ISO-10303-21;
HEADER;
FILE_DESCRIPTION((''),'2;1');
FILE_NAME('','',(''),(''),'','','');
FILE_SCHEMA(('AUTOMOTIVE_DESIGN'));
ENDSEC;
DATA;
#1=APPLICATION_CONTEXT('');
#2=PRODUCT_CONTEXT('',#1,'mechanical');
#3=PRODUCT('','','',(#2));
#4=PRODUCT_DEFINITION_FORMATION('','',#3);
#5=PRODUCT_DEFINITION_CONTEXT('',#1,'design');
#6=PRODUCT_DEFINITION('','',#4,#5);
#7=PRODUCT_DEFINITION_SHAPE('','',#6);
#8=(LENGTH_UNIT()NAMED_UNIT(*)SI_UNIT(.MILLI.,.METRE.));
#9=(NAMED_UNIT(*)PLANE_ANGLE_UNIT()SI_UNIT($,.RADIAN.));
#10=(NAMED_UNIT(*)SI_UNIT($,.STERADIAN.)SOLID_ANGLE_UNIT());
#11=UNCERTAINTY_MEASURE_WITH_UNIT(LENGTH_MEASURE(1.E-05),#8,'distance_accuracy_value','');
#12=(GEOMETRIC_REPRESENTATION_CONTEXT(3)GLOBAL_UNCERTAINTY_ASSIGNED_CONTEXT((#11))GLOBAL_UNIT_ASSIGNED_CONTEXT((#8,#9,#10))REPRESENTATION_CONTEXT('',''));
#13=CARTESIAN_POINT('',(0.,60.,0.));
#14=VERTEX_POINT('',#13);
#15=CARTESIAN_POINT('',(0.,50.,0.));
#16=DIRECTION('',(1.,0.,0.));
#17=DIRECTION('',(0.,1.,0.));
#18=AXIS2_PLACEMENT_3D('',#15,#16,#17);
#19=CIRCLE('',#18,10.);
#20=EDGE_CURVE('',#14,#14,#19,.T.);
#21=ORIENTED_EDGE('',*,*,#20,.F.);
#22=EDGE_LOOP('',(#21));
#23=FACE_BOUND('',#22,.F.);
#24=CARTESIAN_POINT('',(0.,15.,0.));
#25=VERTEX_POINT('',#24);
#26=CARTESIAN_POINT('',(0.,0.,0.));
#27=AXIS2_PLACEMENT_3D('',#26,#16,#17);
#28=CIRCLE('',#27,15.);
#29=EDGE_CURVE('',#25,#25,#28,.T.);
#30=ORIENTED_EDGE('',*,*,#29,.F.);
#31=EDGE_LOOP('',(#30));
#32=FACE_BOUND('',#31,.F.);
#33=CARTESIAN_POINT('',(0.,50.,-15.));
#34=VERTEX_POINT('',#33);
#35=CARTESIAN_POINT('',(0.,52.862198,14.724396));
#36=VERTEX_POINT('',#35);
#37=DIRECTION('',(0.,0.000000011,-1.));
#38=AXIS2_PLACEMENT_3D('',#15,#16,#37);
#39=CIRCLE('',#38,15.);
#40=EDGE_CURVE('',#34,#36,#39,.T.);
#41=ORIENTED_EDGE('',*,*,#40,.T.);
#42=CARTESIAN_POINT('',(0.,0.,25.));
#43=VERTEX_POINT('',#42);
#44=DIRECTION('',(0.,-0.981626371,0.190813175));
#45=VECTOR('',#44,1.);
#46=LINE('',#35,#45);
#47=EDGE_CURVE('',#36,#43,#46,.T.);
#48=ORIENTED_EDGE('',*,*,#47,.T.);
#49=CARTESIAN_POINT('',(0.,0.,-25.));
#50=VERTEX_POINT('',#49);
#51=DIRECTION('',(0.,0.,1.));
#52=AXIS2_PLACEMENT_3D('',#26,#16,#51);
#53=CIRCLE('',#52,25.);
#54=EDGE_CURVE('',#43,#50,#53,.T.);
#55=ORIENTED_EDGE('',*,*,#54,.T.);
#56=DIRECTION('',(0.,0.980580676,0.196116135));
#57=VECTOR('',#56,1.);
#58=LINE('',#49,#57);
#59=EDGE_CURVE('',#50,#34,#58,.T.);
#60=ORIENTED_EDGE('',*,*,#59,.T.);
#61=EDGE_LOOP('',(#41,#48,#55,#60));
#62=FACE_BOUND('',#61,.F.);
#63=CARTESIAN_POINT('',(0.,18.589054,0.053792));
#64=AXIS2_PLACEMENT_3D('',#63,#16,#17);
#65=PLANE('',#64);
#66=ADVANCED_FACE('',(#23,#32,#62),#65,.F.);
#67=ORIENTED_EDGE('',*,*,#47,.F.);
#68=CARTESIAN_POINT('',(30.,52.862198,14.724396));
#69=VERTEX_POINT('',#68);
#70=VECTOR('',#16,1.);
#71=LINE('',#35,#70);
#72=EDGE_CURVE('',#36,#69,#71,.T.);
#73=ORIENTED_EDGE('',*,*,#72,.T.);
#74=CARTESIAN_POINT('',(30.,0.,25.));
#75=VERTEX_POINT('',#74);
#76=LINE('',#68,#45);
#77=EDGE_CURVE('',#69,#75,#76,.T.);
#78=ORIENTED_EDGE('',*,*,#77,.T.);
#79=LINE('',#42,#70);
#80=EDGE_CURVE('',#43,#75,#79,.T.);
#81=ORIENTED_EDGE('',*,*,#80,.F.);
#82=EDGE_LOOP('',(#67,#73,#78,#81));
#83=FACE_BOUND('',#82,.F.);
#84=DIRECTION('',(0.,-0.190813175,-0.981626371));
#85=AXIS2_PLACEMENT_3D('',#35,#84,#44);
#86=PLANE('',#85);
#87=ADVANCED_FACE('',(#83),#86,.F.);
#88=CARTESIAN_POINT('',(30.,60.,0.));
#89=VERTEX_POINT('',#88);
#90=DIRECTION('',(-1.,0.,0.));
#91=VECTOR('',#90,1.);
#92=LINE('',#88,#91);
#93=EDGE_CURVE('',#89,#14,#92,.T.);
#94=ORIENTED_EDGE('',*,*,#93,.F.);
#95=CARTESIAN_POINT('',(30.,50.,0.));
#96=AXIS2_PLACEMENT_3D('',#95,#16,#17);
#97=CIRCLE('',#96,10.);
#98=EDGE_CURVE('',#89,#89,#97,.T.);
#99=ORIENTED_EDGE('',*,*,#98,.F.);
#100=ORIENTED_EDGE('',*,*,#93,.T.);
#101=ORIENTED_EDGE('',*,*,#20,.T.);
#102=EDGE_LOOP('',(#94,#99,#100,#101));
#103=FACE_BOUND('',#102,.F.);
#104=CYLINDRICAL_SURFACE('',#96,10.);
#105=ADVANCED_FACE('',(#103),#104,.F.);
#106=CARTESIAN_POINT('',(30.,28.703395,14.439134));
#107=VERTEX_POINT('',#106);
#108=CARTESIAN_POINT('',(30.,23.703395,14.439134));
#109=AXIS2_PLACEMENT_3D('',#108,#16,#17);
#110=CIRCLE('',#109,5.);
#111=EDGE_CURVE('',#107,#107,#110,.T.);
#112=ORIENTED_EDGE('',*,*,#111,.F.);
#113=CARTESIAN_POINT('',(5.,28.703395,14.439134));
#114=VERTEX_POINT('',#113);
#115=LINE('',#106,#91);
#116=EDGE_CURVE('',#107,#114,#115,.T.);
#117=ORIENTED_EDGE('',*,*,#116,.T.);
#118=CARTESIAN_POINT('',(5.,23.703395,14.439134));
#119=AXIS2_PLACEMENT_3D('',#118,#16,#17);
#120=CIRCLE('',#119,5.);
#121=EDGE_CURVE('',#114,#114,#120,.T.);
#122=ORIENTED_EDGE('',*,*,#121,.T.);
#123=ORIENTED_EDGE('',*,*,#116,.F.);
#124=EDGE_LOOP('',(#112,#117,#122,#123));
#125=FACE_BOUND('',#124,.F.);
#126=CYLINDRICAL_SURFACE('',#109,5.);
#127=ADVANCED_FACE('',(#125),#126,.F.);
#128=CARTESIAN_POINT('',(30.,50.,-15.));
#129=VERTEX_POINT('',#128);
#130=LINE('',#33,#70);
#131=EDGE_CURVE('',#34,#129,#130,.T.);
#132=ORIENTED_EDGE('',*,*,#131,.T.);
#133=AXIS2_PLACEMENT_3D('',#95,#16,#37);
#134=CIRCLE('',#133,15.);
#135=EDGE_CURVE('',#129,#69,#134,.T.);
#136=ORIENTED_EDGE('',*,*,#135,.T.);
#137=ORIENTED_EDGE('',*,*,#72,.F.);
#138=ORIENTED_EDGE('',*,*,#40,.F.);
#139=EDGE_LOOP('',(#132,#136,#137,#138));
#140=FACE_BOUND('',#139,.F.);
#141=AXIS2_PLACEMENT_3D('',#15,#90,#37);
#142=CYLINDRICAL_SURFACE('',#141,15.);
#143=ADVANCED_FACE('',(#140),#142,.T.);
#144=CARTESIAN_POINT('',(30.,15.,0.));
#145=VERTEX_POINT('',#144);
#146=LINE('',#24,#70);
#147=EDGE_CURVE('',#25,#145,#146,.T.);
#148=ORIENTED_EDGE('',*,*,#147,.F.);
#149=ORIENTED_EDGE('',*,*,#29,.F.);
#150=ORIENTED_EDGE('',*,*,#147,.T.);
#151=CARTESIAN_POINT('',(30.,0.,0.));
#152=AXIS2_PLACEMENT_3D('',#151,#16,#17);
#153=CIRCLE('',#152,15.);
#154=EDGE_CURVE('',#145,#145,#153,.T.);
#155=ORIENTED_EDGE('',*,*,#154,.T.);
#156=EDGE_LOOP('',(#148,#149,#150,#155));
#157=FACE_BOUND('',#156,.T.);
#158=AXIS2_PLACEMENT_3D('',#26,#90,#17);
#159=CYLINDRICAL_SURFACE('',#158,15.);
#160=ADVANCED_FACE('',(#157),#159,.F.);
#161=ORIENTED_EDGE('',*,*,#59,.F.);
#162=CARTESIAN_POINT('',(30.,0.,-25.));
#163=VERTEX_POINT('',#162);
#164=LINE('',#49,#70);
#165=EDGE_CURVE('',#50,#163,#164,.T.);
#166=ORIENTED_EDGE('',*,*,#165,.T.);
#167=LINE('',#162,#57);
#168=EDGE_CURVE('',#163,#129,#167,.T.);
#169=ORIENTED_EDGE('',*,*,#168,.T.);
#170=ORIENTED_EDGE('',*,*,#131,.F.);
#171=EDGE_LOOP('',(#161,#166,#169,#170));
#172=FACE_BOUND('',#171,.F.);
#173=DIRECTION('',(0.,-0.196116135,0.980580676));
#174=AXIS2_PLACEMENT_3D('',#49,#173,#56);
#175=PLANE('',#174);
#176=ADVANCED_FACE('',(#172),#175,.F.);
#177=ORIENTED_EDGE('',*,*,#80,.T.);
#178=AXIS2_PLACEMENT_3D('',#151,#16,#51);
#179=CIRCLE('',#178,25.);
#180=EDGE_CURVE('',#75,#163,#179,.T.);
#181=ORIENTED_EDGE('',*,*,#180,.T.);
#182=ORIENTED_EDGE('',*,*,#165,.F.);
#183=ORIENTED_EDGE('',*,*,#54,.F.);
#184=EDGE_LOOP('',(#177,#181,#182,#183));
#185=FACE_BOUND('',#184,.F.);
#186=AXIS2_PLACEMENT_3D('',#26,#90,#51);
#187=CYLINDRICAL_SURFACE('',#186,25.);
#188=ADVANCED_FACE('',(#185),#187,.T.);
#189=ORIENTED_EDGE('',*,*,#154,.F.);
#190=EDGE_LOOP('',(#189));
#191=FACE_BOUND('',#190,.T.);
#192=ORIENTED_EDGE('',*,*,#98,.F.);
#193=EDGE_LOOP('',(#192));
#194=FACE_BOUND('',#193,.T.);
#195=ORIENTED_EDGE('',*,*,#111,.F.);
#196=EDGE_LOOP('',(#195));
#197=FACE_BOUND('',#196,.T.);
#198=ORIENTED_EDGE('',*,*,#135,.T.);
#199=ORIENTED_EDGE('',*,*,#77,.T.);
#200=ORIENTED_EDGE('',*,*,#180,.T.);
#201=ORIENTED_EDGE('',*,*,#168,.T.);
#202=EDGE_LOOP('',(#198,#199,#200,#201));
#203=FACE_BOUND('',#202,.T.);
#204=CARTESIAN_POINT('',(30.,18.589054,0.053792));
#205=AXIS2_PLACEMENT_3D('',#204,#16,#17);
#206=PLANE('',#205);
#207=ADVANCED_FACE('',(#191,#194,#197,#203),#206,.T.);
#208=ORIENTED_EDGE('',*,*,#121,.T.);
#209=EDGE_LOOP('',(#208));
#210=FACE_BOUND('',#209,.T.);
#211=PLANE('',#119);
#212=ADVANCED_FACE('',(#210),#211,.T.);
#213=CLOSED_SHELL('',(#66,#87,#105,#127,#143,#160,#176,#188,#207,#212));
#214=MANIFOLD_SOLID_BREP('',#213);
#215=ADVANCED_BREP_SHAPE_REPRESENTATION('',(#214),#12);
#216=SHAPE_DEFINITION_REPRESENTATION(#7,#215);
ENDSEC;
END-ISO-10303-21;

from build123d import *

# Parameters (mm, degrees)
F0_R     = 15
F1_DEPTH = 30
F2_R     = 10
F3_DEPTH = 30.001
F4_R     = 5
F5_DEPTH = 25


with BuildPart() as f1:
    # F0 (on Right) → F1 (new body)
    with BuildSketch(Plane.YZ):
        with BuildLine():
            Line((52.862198, 14.724396), (0, 25))
            ThreePointArc((0, 25), (-25, 0), (0, -25))
            Line((0, -25), (50, -15))
            ThreePointArc((50, -15), (64.93094, -1.437718), (52.862198, 14.724396))
        make_face()
        Circle(F0_R, mode=Mode.SUBTRACT)
    extrude(amount=F1_DEPTH)

    # F2 (on face) → F3 (cut, through all)
    with BuildSketch(Plane.YZ.offset(30)):
        with Locations((50, 0)):
            Circle(F2_R)
    extrude(amount=-F3_DEPTH, mode=Mode.SUBTRACT)

    # F4 (on face) → F5 (cut)
    with BuildSketch(Plane.YZ.offset(30)):
        with Locations((23.703395, 14.439134)):
            Circle(F4_R)
    extrude(amount=-F5_DEPTH, mode=Mode.SUBTRACT)


solid = f1.part
